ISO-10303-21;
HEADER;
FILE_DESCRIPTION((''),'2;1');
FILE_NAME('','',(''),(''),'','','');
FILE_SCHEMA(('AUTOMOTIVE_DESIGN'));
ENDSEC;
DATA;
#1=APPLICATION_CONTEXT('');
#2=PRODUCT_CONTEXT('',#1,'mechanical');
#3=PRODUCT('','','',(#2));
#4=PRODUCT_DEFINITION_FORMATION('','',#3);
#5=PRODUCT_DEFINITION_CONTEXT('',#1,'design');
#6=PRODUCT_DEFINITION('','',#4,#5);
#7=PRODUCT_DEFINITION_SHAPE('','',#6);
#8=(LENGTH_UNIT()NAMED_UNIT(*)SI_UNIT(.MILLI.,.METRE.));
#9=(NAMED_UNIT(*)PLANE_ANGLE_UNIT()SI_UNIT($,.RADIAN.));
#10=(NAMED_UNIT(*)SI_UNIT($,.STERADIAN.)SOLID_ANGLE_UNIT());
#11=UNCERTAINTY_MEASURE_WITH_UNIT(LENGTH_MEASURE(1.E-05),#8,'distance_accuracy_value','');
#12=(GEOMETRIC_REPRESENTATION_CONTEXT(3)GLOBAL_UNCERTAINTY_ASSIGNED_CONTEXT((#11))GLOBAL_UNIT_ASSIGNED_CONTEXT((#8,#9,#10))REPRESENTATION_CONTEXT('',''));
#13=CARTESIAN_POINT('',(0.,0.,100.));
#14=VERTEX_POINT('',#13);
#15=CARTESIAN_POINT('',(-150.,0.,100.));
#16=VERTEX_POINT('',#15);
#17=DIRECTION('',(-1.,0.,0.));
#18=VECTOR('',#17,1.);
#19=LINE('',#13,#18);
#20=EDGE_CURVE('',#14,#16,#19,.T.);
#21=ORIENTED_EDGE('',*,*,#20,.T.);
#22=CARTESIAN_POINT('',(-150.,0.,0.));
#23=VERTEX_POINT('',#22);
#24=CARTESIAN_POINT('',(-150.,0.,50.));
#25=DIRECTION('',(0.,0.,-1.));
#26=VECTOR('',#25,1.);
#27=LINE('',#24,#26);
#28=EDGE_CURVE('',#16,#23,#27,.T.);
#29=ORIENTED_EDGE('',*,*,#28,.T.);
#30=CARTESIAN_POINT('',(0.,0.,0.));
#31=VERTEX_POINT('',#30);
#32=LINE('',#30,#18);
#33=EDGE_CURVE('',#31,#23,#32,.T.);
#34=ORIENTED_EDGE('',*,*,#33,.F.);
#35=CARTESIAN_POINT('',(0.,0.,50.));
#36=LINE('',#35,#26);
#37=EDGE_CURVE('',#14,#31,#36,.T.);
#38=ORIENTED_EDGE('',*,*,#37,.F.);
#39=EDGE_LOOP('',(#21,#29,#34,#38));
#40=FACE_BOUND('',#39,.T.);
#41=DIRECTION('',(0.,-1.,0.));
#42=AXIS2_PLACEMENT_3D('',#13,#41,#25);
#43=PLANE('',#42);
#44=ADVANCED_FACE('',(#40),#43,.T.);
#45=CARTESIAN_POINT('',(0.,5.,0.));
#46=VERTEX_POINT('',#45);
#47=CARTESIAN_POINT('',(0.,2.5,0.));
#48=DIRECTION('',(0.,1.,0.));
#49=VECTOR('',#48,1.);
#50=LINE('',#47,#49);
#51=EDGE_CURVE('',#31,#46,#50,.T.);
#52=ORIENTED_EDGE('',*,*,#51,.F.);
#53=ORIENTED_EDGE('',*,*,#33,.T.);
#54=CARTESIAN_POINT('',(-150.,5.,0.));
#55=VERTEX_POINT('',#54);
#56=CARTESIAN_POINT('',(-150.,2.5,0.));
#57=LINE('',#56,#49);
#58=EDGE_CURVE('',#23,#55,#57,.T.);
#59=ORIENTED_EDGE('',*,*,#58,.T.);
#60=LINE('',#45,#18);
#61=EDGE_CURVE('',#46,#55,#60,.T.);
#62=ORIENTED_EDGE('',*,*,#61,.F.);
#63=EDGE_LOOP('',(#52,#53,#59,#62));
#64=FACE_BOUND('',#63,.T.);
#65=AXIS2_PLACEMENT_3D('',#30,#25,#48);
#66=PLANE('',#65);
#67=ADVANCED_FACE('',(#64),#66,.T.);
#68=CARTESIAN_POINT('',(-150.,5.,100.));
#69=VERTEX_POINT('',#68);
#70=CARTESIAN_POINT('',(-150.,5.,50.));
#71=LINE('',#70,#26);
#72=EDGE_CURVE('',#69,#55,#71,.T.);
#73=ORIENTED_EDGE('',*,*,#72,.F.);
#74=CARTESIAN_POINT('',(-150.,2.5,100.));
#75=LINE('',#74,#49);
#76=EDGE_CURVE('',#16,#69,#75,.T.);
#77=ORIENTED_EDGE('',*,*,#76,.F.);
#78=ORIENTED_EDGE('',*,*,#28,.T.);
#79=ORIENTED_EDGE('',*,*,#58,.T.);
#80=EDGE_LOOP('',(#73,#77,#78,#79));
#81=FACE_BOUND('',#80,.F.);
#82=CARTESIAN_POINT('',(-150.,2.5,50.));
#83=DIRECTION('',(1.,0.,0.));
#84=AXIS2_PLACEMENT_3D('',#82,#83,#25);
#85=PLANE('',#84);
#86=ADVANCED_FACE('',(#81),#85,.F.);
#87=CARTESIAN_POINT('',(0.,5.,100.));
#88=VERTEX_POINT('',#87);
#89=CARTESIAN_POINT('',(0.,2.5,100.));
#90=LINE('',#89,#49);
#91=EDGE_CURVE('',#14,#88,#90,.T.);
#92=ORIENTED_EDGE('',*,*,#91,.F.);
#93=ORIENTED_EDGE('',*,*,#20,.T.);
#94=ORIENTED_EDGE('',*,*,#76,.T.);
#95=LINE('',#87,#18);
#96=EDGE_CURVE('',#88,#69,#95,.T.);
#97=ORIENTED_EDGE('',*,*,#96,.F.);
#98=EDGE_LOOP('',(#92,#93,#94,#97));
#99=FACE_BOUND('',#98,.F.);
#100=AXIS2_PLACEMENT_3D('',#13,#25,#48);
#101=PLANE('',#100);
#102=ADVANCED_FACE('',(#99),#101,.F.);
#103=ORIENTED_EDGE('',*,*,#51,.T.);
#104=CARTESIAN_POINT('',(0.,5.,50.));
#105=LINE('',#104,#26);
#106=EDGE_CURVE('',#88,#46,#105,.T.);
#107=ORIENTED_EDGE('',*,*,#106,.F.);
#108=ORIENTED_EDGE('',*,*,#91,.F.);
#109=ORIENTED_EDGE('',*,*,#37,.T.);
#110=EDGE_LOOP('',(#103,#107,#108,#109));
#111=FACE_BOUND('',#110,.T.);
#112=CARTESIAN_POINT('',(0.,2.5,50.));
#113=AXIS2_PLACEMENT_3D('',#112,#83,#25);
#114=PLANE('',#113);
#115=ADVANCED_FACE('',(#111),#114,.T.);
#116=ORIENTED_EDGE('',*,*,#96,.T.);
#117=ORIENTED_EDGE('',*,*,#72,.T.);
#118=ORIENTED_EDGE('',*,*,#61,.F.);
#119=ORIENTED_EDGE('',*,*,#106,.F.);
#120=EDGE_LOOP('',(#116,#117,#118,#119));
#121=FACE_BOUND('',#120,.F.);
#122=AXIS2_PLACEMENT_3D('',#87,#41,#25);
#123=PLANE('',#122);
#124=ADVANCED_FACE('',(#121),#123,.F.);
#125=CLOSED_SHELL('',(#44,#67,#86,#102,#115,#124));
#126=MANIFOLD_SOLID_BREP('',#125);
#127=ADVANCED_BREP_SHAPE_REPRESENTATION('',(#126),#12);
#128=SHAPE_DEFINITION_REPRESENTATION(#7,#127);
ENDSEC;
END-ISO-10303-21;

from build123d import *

# Parameters (mm, degrees)
SKETCH2_W           = 100
SKETCH2_H           = 5
BOSS_EXTRUDE1_DEPTH = 150


with BuildPart() as part:
    # Sketch2 → Boss-Extrude1 (new body)
    with BuildSketch(Plane(origin=(0, 0, 0), x_dir=(0, 0, -1), z_dir=(1, 0, 0))):
        with Locations((-50, 2.5)):
            Rectangle(SKETCH2_W, SKETCH2_H)
    extrude(amount=-BOSS_EXTRUDE1_DEPTH)


solid = part.part
